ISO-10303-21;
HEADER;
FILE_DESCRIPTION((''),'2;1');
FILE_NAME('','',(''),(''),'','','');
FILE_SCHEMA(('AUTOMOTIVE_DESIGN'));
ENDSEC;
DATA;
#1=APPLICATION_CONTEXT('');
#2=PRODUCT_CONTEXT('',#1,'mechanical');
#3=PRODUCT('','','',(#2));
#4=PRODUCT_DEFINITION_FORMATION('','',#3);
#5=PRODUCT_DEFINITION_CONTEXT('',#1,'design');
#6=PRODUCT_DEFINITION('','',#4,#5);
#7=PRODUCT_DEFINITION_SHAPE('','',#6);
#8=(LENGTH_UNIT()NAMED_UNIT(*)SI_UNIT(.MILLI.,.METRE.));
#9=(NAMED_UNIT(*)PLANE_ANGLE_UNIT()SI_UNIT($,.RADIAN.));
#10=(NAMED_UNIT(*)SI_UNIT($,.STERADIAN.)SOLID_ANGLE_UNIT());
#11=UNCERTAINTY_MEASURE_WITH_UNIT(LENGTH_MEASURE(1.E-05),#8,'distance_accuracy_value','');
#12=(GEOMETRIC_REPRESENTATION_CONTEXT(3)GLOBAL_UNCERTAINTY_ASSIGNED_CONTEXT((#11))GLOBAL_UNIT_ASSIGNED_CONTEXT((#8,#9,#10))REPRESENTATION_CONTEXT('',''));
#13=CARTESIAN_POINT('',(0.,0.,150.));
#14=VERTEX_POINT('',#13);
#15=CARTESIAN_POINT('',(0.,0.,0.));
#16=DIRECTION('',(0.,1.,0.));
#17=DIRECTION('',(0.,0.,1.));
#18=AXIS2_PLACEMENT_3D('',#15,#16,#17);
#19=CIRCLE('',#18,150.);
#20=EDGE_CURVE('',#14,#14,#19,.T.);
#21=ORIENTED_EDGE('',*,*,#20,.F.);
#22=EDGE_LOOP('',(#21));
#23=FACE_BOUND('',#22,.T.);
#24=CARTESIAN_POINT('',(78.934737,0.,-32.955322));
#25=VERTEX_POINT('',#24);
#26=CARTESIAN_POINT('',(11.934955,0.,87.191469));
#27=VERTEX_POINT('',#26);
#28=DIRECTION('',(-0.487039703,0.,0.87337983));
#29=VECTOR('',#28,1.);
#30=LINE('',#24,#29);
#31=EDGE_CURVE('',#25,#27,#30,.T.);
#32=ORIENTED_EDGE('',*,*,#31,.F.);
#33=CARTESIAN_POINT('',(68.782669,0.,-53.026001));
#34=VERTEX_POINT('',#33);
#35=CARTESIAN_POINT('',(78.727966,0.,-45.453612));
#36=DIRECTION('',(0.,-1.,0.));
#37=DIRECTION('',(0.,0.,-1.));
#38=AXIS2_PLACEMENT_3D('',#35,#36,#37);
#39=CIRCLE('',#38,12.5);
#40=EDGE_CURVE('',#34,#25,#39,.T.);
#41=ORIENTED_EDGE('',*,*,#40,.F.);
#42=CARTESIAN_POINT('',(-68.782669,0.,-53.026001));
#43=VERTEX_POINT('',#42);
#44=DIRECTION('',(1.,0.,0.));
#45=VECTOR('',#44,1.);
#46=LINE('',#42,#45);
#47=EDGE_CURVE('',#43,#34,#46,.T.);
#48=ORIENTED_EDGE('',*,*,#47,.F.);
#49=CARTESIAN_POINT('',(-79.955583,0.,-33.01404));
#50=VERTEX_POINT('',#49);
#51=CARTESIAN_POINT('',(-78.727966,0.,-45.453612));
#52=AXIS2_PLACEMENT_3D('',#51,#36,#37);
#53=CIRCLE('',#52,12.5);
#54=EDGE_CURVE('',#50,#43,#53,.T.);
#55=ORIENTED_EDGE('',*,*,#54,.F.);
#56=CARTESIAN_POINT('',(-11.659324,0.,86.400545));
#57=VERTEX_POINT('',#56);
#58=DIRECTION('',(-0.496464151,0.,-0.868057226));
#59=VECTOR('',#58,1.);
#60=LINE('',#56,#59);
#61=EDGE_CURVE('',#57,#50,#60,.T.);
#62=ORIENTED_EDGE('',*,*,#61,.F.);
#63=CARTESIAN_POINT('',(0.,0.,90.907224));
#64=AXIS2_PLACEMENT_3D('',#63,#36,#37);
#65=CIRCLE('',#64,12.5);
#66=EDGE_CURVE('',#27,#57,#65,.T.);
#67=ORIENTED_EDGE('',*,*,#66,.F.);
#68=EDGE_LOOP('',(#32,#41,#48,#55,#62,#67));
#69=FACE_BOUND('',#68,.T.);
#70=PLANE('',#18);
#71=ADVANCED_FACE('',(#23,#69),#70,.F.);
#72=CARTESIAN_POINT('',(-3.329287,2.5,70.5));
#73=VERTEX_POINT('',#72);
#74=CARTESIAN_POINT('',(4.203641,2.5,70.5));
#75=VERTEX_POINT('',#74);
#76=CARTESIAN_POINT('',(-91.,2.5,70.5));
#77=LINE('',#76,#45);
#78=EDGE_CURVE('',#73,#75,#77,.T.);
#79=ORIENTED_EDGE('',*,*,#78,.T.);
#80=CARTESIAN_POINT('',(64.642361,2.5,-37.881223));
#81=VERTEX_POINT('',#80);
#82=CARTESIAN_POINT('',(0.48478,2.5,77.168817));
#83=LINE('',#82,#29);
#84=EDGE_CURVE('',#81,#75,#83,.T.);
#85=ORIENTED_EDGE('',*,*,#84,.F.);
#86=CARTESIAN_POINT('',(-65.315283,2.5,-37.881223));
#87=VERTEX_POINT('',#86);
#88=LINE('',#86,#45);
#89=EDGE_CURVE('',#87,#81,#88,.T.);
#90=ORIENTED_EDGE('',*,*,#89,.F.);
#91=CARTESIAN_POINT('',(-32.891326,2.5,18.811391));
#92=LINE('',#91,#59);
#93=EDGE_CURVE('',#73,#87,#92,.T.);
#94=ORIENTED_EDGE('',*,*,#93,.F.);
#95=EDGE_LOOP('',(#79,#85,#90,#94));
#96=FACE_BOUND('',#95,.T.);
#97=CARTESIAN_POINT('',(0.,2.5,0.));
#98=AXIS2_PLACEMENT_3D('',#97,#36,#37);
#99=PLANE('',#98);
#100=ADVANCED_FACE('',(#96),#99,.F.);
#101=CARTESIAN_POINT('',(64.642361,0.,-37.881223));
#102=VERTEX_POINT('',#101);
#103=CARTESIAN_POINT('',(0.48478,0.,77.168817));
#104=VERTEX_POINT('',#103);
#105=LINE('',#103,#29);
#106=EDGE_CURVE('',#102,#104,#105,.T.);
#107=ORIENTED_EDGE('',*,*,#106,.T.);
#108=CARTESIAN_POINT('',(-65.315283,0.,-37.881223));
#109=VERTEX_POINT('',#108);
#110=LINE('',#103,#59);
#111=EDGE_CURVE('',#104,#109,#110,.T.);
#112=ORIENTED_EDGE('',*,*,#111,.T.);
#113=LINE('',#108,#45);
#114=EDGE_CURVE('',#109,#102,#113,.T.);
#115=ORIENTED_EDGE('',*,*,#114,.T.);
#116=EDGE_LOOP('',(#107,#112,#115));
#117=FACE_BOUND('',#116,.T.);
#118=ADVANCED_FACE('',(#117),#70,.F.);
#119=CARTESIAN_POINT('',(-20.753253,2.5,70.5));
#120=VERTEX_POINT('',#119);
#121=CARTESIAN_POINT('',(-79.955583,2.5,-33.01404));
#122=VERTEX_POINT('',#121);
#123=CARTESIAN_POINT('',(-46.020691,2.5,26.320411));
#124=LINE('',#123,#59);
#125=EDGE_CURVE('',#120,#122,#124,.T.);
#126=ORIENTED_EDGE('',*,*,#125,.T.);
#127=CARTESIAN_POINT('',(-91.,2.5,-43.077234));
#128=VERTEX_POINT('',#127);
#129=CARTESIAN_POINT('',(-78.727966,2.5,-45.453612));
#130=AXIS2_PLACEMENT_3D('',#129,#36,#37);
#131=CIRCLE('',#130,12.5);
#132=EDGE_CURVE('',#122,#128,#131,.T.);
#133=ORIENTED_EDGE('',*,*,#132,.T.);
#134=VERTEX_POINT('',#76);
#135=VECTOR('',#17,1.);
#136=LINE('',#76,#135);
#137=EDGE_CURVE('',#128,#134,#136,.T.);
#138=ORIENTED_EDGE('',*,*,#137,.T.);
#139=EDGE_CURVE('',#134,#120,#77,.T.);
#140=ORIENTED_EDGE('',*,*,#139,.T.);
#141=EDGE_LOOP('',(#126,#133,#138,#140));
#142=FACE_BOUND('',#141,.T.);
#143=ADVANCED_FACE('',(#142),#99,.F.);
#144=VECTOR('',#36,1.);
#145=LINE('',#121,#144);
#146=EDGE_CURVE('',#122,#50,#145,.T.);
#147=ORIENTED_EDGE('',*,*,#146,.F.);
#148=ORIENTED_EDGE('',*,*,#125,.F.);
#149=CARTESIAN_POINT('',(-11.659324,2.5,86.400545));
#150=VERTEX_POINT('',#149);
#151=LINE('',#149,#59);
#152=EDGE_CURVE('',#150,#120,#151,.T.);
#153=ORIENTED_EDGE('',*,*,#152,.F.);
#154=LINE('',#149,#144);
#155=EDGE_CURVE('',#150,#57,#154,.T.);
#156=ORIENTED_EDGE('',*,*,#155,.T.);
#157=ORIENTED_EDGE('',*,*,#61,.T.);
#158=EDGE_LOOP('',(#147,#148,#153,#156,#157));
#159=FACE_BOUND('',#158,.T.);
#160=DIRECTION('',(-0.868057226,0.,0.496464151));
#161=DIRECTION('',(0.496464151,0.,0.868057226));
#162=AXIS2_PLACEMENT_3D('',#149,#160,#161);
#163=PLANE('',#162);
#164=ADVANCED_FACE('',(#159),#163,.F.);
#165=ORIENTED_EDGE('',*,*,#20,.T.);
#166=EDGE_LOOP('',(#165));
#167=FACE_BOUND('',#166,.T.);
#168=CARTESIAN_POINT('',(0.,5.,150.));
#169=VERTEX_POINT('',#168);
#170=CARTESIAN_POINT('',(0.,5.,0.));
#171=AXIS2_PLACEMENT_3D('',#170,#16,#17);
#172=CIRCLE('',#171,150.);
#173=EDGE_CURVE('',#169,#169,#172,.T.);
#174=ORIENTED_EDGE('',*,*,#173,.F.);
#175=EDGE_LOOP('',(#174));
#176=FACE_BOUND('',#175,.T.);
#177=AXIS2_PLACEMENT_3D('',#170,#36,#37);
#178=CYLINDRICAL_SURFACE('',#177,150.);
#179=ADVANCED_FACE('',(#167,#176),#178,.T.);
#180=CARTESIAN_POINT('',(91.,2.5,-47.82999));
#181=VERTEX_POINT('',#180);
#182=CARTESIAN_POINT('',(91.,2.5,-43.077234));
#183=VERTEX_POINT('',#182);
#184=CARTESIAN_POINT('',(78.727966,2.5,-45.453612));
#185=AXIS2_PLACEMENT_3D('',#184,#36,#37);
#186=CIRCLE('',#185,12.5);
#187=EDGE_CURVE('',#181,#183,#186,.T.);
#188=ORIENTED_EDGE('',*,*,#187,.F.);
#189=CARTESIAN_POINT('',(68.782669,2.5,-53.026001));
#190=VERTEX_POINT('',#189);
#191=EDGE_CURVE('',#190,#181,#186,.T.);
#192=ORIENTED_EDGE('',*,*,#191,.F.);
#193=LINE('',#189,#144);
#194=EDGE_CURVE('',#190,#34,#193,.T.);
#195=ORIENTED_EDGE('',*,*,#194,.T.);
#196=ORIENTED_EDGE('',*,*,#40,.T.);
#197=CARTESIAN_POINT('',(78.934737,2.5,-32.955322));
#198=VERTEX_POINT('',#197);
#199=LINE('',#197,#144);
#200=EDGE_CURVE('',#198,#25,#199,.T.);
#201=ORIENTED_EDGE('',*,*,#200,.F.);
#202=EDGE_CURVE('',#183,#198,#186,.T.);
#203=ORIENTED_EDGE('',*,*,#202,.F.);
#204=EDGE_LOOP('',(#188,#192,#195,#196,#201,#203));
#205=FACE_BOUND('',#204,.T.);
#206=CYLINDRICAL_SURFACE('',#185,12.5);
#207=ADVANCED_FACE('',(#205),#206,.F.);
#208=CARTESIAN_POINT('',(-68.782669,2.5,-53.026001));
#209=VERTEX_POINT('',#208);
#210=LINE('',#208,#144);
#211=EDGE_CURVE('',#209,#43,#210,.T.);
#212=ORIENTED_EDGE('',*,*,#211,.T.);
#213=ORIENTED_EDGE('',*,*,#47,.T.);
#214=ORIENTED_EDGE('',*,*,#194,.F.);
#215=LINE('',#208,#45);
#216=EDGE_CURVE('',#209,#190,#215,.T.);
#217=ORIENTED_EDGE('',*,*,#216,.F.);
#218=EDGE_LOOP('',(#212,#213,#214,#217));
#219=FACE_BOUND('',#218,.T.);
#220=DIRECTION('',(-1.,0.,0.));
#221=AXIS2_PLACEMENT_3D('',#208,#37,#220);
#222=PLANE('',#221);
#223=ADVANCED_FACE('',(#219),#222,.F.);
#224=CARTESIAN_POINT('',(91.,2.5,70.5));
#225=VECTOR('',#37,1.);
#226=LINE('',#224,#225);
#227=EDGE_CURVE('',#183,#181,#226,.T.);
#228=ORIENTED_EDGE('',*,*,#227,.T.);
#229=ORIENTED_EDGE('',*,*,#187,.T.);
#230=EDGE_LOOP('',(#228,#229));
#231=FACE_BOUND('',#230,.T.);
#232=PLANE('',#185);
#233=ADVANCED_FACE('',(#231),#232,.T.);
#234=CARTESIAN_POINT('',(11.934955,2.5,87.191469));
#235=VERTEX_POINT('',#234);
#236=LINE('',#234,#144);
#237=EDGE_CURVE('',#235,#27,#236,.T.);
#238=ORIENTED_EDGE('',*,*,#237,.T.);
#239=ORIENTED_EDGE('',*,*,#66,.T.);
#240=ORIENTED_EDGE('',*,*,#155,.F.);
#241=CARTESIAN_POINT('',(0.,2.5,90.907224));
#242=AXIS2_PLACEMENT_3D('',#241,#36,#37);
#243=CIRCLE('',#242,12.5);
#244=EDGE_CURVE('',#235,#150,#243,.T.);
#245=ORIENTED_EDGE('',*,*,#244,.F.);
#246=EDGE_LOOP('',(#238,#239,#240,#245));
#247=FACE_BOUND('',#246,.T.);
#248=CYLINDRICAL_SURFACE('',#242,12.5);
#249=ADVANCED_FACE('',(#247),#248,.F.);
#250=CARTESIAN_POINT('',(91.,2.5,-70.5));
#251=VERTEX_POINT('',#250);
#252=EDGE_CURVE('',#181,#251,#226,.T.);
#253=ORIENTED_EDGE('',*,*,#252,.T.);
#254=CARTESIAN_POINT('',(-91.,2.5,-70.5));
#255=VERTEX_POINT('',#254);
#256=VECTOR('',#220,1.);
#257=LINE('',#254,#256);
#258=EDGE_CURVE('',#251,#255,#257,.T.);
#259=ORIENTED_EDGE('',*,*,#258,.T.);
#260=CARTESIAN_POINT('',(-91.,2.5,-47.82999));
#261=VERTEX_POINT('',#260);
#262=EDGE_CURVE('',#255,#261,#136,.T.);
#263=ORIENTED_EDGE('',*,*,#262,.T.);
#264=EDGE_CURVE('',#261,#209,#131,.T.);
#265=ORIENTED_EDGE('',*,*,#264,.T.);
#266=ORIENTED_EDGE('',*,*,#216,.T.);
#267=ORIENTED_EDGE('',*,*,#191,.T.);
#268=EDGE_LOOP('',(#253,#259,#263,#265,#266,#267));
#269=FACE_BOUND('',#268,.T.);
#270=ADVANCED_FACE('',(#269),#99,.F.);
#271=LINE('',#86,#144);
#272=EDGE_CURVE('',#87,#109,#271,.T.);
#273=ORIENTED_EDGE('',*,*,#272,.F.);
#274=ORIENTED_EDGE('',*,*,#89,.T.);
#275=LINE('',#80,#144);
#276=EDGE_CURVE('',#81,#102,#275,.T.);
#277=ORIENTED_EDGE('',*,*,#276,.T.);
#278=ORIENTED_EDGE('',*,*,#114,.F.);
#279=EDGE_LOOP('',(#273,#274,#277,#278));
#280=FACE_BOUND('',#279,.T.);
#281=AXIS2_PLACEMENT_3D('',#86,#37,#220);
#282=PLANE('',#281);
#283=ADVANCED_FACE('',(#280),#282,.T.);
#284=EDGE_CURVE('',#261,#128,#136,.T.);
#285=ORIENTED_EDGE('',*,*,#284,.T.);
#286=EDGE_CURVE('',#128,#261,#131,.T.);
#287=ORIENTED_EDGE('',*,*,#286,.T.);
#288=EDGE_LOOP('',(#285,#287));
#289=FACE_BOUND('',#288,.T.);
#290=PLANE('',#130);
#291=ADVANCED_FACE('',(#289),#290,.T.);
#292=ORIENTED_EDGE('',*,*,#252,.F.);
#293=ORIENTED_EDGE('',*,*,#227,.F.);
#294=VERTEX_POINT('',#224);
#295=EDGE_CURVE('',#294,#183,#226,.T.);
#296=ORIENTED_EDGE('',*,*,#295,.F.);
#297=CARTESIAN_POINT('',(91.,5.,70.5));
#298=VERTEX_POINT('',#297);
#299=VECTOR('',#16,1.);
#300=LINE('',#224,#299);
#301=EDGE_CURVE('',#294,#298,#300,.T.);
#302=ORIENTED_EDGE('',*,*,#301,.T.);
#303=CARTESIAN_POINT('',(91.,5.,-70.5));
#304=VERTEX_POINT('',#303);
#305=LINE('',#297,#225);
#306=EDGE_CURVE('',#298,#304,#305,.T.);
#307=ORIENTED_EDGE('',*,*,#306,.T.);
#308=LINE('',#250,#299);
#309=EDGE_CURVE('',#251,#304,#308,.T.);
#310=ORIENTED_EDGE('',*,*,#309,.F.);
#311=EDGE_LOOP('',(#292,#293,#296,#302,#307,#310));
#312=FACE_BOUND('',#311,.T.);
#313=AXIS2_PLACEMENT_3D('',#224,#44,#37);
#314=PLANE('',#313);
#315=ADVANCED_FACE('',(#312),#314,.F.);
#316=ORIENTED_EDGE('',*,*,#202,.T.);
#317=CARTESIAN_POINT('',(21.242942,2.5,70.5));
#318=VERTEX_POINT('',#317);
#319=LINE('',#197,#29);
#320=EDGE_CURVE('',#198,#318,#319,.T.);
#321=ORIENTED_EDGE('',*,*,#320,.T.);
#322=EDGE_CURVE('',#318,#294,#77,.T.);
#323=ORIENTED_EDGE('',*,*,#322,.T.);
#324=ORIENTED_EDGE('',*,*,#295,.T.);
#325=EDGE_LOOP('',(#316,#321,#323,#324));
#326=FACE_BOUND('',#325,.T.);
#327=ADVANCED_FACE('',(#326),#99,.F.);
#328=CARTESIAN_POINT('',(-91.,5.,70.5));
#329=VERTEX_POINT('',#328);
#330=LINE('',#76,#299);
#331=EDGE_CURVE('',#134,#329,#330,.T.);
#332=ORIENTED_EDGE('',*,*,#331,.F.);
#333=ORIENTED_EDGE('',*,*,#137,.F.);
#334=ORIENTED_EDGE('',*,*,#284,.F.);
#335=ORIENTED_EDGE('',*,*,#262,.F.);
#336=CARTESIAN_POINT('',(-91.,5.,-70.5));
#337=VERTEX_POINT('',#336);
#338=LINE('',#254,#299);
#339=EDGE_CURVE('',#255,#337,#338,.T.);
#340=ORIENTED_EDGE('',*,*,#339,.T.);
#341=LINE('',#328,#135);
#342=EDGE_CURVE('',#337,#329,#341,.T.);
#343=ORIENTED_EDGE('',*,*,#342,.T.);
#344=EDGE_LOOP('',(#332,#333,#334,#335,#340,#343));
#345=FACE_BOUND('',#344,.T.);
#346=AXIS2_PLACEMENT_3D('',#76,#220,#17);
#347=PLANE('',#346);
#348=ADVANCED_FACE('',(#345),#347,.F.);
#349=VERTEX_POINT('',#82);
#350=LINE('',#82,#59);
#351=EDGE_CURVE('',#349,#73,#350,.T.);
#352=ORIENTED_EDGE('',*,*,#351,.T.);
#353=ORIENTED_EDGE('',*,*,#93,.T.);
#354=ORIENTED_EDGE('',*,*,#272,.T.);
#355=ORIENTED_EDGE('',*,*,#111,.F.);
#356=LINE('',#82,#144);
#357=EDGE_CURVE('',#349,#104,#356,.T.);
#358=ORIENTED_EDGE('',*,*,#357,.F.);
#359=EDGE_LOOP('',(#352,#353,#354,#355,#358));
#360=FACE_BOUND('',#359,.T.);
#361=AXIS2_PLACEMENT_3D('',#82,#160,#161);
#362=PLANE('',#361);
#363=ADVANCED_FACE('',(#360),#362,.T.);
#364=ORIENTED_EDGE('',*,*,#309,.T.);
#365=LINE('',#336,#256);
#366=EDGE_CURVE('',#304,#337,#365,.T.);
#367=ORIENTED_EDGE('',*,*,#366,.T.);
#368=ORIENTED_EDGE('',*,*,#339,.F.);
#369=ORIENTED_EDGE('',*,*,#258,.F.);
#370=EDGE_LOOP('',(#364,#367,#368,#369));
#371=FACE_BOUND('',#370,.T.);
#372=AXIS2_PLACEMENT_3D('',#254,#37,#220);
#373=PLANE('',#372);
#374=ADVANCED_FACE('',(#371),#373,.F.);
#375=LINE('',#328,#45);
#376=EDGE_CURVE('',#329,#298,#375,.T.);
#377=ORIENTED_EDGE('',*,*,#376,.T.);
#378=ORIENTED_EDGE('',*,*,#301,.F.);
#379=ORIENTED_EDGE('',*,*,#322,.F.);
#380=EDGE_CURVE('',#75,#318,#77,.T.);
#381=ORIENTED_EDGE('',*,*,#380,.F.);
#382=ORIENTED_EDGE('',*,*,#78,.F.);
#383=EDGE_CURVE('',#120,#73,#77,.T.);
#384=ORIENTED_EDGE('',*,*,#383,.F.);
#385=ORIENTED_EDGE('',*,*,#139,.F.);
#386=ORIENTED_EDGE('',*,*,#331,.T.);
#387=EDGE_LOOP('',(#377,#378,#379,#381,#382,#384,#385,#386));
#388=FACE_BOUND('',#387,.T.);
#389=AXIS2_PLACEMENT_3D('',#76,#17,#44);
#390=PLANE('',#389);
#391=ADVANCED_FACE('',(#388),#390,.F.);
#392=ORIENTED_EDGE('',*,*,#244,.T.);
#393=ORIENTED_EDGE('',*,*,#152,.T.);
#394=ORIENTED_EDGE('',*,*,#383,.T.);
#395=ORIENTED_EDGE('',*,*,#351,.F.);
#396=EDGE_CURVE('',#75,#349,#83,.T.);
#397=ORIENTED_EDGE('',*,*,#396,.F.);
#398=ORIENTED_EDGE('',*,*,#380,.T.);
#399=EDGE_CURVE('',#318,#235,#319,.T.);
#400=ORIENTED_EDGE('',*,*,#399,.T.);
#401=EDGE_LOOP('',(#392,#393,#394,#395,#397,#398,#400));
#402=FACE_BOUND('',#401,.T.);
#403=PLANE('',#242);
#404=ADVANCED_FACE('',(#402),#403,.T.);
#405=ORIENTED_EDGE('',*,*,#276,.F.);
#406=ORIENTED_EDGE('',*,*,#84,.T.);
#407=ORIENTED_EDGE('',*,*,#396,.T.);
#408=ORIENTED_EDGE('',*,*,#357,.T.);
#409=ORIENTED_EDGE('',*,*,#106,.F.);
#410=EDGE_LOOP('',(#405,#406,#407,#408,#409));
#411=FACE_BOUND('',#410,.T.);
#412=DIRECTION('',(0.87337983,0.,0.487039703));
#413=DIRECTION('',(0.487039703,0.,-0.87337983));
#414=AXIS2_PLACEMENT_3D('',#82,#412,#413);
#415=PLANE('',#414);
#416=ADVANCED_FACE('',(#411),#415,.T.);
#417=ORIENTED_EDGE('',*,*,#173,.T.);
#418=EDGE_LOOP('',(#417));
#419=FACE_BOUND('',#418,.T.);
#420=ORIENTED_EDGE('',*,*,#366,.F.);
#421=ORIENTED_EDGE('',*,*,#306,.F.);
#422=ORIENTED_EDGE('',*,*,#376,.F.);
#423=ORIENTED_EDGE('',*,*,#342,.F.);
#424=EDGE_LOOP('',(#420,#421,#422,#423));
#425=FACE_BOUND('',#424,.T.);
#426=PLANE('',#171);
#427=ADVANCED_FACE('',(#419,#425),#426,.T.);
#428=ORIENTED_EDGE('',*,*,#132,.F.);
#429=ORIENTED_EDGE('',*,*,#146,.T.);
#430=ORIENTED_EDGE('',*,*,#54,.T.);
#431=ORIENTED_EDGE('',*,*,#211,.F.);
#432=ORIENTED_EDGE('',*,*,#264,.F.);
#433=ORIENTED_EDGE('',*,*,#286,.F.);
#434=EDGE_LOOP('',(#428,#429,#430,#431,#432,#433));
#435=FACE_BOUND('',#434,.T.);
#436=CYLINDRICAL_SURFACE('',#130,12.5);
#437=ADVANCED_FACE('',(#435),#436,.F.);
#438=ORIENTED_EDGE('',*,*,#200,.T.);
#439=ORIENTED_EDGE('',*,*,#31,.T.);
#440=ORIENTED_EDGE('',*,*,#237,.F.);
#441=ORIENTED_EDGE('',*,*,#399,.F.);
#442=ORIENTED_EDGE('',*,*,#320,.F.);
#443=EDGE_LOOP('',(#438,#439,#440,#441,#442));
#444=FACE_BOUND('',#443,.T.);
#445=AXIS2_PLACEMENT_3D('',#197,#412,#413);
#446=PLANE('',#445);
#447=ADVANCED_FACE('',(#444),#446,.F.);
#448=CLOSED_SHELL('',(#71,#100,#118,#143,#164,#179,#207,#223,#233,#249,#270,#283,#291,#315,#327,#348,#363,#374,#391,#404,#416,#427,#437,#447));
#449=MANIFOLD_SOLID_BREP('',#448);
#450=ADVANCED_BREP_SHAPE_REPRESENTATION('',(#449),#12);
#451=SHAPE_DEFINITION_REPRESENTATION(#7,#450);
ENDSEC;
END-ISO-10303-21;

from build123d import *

# Parameters (mm, degrees)
SKETCH1_R           = 150
BOSS_EXTRUDE1_DEPTH = 5
SKETCH2_R           = 12.5
CUT_EXTRUDE1_DEPTH  = 2.5
SKETCH4_W           = 182
SKETCH4_H           = 141
CUT_EXTRUDE2_DEPTH  = 2.5
CUT_EXTRUDE3_DEPTH  = 2.5


with BuildPart() as part:
    # Sketch1 → Boss-Extrude1 (new body)
    with BuildSketch(Plane(origin=(0, 0, 0), x_dir=(1, 0, 0), z_dir=(0, 1, 0))):
        with Locations(Location((0, 0, 0), (0, 0, 270))):
            Circle(SKETCH1_R)
    extrude(amount=BOSS_EXTRUDE1_DEPTH)

    # Sketch2 → Cut-Extrude1 (cut)
    with BuildSketch(Plane.XZ):
        with Locations(Location((0, 90.907224223, 0), (0, 0, 270))):
            Circle(SKETCH2_R)
        with Locations(Location((78.727965565, -45.453612112, 0), (0, 0, 270))):
            Circle(SKETCH2_R)
        with Locations(Location((-78.727965565, -45.453612112, 0), (0, 0, 270))):
            Circle(SKETCH2_R)
    extrude(amount=-CUT_EXTRUDE1_DEPTH, mode=Mode.SUBTRACT)

    # Sketch4 → Cut-Extrude2 (cut)
    with BuildSketch(Plane(origin=(0, 5, 0), x_dir=(1, 0, 0), z_dir=(0, 1, 0))):
        Rectangle(SKETCH4_W, SKETCH4_H)
    extrude(amount=-CUT_EXTRUDE2_DEPTH, mode=Mode.SUBTRACT)

    # Sketch5 → Cut-Extrude3 (cut)
    with BuildSketch(Plane.XZ):
        with BuildLine():
            Line((-11.659324393, 86.400545325), (-79.955582896, -33.014039945))
            ThreePointArc((-79.955582896, -33.014039945), (-67.813794545, -39.360101552), (-68.782668785, -53.0260009))
            Line((-68.782668785, -53.0260009), (68.782668785, -53.0260009))
            ThreePointArc((68.782668785, -53.0260009), (67.573694856, -39.811604938), (78.934736548, -32.955322398))
            Line((78.934736548, -32.955322398), (11.934955449, 87.191468792))
            ThreePointArc((11.934955449, 87.191468792), (0.418787658, 78.414241517), (-11.659324393, 86.400545325))
        make_face()
        Polygon((0.484780027, 77.168816505), (-65.315283199, -37.881223324), (64.642360996, -37.881223324), align=None, mode=Mode.SUBTRACT)
    extrude(amount=-CUT_EXTRUDE3_DEPTH, mode=Mode.SUBTRACT)


solid = part.part
